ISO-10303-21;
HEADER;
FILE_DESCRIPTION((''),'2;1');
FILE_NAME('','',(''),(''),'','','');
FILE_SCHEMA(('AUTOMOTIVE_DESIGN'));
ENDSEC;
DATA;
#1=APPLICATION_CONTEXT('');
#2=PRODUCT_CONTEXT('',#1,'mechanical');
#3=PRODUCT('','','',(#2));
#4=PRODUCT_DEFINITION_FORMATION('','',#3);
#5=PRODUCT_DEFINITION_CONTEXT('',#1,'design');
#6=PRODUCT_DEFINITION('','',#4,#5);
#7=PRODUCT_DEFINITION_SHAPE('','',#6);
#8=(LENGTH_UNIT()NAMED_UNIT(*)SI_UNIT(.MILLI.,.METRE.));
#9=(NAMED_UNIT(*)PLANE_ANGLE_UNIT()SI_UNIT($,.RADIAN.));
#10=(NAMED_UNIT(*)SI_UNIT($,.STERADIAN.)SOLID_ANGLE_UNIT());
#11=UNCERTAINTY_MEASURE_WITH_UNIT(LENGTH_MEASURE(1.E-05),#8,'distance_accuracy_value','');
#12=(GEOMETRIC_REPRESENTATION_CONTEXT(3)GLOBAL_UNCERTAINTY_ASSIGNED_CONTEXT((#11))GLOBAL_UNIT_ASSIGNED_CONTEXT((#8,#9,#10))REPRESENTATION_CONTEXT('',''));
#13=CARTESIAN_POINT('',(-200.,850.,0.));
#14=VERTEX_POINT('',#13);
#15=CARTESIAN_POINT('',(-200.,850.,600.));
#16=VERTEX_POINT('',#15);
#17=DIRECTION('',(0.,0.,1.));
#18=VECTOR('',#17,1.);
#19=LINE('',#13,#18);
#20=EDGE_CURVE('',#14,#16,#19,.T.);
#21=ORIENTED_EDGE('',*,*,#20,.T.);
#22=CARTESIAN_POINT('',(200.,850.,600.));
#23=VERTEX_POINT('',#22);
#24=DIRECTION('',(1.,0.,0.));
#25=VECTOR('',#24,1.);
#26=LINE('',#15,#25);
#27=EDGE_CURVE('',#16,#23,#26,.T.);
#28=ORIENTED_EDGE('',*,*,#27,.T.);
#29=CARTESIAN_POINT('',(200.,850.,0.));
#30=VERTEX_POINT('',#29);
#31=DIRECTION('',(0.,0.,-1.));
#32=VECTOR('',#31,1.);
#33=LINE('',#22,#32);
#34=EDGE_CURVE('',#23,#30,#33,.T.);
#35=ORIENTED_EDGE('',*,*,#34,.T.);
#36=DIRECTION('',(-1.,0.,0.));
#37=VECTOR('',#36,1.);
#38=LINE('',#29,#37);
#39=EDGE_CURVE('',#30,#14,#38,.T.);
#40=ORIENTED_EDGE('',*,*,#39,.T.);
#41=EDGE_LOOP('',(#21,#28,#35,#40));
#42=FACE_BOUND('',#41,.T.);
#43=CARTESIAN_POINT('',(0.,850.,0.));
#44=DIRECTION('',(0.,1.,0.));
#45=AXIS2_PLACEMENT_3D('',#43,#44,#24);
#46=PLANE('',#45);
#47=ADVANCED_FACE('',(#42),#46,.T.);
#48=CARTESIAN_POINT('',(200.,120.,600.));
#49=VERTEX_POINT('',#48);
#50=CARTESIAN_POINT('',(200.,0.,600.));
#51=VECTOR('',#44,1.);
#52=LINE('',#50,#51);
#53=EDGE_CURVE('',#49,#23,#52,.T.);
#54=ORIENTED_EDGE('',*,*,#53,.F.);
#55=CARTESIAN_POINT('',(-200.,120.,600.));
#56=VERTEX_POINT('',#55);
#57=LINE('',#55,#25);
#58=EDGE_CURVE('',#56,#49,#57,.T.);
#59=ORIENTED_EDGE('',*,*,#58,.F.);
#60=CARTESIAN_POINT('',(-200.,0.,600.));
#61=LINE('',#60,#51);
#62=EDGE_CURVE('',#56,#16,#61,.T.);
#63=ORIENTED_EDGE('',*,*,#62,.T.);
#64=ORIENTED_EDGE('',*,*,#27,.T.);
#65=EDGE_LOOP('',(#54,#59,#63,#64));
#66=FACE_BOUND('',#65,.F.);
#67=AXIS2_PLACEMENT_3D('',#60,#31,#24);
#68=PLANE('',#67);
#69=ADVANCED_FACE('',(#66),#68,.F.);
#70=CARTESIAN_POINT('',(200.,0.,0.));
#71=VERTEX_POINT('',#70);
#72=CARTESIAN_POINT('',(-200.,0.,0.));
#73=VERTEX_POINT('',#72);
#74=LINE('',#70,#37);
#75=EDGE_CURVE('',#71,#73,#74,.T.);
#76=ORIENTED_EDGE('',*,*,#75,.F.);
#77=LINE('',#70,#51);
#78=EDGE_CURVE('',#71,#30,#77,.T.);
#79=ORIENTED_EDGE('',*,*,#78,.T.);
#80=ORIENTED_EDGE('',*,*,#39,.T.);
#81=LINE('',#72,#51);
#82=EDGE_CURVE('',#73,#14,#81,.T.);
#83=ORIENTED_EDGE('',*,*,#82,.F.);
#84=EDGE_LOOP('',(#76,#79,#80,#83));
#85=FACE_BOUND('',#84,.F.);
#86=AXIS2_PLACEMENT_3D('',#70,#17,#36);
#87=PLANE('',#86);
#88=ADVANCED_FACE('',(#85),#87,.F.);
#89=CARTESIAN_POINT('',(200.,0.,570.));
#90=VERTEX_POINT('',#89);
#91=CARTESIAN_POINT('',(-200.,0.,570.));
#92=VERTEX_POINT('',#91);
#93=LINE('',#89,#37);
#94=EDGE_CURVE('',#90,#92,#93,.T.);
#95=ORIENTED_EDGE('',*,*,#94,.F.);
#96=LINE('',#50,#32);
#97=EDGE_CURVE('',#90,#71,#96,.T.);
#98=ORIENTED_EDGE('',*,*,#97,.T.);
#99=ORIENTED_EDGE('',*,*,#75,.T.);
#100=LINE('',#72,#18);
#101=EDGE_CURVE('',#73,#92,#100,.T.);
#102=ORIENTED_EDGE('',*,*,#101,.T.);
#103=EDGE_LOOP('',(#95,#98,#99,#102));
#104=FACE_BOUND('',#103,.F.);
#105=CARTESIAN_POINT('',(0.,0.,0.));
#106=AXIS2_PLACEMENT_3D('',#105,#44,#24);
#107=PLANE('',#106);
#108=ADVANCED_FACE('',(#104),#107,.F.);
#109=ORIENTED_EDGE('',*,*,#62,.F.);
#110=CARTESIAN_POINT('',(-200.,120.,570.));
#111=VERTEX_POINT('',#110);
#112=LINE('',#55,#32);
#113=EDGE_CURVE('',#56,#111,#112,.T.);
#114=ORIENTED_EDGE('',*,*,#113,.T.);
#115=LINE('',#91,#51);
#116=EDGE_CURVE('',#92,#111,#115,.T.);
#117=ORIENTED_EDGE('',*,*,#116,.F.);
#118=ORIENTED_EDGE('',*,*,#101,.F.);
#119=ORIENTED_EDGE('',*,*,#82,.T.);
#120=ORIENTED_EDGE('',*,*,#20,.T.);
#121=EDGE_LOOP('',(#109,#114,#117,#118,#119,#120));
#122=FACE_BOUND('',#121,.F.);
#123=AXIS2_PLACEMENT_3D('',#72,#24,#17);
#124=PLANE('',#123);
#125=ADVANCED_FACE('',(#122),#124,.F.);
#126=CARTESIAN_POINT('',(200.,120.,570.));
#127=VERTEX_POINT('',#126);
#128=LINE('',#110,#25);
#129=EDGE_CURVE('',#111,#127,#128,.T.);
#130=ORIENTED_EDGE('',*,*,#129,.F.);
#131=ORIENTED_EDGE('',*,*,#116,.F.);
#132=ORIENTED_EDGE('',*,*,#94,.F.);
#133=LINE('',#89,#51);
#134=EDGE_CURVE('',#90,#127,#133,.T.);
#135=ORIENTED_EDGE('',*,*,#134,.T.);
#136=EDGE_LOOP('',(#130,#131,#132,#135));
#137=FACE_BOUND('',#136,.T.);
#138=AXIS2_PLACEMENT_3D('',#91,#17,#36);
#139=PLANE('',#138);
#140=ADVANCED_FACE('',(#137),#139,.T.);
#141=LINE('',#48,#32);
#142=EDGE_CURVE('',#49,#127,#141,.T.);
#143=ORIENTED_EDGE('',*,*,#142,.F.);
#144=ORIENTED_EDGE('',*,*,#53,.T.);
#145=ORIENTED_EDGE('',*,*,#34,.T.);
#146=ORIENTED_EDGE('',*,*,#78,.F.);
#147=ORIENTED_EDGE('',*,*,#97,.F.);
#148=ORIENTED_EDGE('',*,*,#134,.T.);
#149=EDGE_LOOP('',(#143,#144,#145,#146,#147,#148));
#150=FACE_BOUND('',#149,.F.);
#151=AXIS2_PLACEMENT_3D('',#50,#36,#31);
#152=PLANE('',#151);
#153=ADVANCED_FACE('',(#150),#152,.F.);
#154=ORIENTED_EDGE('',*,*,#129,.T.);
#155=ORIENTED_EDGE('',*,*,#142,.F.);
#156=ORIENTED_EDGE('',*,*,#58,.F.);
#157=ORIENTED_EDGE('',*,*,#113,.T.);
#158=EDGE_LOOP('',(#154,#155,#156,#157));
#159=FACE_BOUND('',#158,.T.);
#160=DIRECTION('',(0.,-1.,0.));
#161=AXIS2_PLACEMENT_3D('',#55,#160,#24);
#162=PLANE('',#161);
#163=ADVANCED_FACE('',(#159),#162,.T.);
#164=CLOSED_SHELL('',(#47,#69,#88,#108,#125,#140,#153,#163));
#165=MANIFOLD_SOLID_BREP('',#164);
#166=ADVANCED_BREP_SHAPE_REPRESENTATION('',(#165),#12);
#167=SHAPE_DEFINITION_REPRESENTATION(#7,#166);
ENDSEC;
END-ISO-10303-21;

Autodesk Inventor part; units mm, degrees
ref_plane "YZ Plane" through (0, 0, 0) normal (1, 0, 0) x (0, 1, 0)
ref_plane "XZ Plane" through (0, 0, 0) normal (0, 1, 0) x (-1, 0, 0)
ref_plane "XY Plane" through (0, 0, 0) normal (0, 0, 1) x (1, 0, 0)
sketch "Sketch1" plane through (0, 0, 0) normal (0, 1, 0) x (1, 0, 0)
  line L0 (200, 0) -> (-200, 0)
  line L1 (-200, 0) -> (-200, -600)
  line L2 (-200, -600) -> (200, -600)
  line L3 (200, -600) -> (200, 0)
  point P0 (0, 0)
  point P1 (0, 0)
  dimension "d0" = 400
  dimension "d1" = 600
extrude "Extrusion1" add sketch "Sketch1" along normal blind 850
sketch "Sketch2" plane through (-200, 0, 600) normal (0, 0, 1) x (-1, 0, 0)
  line L0 (-400, 0) -> (-400, -850) projected
  line L1 (0, 0) -> (0, -850) projected
  line L2 (-400, 0) -> (0, 0)
  line L3 (0, 0) -> (0, -120)
  line L4 (0, -120) -> (-400, -120)
  line L5 (-400, -120) -> (-400, 0)
  point P0 (-200, 0)
  point P1 (-400, -120)
  dimension "d4" = 120
extrude "Extrusion2" cut sketch "Sketch2" against normal blind 30
properties part number "Mobile 40"
